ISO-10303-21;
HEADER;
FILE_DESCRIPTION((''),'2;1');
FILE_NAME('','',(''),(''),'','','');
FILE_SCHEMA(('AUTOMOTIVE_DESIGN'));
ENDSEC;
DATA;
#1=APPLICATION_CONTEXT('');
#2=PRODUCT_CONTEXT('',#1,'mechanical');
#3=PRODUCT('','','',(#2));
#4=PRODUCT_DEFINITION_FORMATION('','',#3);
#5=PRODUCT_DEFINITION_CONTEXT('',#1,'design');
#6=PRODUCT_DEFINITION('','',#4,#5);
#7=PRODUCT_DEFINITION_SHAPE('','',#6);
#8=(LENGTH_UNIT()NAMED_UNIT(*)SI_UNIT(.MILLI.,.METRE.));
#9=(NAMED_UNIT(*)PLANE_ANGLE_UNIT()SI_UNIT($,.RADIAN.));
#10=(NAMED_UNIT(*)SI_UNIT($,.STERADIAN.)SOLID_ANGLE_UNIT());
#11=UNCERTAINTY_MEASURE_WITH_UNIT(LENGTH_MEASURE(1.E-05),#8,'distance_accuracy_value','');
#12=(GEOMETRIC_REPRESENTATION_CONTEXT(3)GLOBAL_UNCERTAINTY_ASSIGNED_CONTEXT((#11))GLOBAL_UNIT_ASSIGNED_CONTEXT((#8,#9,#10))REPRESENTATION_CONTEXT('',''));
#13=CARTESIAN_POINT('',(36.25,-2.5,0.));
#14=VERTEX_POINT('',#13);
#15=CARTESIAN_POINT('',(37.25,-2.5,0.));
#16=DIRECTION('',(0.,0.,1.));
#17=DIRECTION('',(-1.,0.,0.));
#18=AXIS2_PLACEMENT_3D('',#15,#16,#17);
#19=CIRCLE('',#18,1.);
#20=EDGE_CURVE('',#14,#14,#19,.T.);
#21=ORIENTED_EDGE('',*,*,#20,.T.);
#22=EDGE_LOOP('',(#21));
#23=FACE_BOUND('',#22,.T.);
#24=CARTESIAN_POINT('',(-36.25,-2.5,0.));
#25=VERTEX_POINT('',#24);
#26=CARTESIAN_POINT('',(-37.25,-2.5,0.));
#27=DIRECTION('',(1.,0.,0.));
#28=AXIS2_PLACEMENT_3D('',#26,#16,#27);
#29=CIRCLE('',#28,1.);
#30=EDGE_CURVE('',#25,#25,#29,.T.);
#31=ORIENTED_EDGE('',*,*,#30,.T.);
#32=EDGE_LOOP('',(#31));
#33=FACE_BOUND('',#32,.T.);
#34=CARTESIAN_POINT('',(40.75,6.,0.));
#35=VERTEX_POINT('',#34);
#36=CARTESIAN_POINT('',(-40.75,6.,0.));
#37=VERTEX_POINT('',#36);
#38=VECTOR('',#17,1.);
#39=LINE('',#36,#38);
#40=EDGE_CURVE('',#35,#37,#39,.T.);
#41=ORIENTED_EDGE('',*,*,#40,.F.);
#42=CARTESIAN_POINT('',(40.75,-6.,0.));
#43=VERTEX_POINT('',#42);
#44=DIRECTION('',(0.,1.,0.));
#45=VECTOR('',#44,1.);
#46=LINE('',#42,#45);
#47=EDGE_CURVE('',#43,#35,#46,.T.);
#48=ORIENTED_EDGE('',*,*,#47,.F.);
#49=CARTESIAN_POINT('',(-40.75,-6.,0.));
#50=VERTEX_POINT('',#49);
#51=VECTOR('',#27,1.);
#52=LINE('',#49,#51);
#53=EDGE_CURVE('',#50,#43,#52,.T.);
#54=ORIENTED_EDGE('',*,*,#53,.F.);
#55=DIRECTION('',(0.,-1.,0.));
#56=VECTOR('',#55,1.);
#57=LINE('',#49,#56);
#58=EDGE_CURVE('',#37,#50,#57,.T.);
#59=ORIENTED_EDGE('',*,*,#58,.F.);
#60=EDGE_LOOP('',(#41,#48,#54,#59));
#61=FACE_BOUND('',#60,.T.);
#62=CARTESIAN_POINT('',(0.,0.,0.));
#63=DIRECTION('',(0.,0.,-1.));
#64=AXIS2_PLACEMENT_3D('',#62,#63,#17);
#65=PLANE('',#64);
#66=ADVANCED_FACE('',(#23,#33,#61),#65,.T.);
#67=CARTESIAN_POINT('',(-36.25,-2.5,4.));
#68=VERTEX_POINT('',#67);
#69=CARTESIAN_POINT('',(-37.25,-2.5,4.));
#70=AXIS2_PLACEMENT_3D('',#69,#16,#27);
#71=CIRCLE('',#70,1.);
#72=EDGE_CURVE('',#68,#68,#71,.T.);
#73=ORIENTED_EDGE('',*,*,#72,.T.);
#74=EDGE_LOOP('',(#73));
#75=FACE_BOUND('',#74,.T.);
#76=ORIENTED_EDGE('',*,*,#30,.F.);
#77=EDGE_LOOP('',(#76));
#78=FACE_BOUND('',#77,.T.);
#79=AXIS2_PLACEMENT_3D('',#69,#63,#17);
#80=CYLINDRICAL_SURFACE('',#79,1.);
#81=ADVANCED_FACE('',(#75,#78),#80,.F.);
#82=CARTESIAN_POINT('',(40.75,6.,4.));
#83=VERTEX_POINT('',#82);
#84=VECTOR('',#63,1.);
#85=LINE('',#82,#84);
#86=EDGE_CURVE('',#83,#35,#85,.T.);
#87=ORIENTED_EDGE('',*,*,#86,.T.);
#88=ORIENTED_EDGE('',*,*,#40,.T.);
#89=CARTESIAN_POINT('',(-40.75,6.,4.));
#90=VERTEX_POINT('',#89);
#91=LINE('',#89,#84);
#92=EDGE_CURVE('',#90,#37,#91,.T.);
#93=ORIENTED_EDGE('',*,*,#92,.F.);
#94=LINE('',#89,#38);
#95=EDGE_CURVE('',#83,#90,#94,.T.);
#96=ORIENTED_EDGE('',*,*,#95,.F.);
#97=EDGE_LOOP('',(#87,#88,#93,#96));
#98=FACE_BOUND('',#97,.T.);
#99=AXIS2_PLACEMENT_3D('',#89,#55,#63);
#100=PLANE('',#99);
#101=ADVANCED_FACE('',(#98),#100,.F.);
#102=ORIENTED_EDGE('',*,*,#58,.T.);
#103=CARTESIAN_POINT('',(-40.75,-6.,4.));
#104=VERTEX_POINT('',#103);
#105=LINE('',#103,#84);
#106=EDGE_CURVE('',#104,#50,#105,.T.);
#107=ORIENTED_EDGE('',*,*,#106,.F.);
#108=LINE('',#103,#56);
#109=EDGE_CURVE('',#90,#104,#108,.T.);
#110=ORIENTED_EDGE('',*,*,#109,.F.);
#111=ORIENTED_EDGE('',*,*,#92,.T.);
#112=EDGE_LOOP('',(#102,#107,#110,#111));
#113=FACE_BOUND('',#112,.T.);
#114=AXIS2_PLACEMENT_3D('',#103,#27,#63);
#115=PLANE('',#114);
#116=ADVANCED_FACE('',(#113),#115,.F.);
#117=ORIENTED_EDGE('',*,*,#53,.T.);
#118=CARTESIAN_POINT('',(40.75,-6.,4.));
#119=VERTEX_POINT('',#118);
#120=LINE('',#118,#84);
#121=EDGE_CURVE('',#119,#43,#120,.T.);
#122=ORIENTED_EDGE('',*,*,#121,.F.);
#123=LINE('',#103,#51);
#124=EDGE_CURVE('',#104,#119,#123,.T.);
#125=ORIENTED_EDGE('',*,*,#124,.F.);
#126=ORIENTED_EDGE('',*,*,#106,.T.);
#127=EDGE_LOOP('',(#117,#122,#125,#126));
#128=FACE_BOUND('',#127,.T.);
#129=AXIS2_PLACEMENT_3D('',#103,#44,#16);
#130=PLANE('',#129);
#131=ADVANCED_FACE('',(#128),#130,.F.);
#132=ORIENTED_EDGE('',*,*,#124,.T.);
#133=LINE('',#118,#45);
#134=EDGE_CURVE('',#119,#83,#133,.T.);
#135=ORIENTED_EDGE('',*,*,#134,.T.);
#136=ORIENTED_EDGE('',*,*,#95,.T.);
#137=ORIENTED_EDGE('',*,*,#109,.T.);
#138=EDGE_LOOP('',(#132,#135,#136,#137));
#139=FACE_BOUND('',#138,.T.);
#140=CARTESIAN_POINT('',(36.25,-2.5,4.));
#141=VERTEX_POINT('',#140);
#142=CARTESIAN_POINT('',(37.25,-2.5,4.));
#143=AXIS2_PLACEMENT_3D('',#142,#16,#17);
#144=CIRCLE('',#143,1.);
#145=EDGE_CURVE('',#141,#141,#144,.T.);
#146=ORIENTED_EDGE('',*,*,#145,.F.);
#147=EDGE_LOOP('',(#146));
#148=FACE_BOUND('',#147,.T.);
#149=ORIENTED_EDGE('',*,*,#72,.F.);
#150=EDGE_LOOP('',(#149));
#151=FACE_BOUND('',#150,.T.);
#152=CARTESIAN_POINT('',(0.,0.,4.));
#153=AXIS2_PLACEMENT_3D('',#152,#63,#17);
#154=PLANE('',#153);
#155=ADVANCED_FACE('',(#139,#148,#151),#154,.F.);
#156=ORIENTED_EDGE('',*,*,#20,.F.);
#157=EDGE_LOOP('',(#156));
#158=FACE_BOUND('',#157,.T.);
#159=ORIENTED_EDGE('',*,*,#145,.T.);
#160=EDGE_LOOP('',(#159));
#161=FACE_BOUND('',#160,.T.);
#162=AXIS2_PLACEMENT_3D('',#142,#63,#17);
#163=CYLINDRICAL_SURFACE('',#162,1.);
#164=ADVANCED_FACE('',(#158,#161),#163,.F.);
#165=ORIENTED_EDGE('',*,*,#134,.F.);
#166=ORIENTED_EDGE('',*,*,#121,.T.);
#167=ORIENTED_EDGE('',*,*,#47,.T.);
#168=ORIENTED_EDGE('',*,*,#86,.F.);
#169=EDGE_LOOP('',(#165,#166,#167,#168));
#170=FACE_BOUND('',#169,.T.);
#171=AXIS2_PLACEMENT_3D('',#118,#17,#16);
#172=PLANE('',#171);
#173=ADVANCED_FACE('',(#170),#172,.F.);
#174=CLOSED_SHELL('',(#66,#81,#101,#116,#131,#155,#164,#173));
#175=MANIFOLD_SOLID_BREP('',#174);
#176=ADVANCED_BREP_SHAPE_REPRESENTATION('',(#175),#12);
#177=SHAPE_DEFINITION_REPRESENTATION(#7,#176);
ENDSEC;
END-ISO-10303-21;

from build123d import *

# Parameters (mm, degrees)
SKETCH1_W           = 81.5
SKETCH1_H           = 12
SKETCH1_R           = 1
BOSS_EXTRUDE1_DEPTH = 4


with BuildPart() as part:
    # Sketch1 → Boss-Extrude1 (new body)
    with BuildSketch(Plane.XY):
        Rectangle(SKETCH1_W, SKETCH1_H)
        with Locations((-37.25, -2.5)):
            Circle(SKETCH1_R, mode=Mode.SUBTRACT)
        with Locations(Location((37.25, -2.5, 0), (0, 0, 180))):
            Circle(SKETCH1_R, mode=Mode.SUBTRACT)
    extrude(amount=BOSS_EXTRUDE1_DEPTH)


solid = part.part
